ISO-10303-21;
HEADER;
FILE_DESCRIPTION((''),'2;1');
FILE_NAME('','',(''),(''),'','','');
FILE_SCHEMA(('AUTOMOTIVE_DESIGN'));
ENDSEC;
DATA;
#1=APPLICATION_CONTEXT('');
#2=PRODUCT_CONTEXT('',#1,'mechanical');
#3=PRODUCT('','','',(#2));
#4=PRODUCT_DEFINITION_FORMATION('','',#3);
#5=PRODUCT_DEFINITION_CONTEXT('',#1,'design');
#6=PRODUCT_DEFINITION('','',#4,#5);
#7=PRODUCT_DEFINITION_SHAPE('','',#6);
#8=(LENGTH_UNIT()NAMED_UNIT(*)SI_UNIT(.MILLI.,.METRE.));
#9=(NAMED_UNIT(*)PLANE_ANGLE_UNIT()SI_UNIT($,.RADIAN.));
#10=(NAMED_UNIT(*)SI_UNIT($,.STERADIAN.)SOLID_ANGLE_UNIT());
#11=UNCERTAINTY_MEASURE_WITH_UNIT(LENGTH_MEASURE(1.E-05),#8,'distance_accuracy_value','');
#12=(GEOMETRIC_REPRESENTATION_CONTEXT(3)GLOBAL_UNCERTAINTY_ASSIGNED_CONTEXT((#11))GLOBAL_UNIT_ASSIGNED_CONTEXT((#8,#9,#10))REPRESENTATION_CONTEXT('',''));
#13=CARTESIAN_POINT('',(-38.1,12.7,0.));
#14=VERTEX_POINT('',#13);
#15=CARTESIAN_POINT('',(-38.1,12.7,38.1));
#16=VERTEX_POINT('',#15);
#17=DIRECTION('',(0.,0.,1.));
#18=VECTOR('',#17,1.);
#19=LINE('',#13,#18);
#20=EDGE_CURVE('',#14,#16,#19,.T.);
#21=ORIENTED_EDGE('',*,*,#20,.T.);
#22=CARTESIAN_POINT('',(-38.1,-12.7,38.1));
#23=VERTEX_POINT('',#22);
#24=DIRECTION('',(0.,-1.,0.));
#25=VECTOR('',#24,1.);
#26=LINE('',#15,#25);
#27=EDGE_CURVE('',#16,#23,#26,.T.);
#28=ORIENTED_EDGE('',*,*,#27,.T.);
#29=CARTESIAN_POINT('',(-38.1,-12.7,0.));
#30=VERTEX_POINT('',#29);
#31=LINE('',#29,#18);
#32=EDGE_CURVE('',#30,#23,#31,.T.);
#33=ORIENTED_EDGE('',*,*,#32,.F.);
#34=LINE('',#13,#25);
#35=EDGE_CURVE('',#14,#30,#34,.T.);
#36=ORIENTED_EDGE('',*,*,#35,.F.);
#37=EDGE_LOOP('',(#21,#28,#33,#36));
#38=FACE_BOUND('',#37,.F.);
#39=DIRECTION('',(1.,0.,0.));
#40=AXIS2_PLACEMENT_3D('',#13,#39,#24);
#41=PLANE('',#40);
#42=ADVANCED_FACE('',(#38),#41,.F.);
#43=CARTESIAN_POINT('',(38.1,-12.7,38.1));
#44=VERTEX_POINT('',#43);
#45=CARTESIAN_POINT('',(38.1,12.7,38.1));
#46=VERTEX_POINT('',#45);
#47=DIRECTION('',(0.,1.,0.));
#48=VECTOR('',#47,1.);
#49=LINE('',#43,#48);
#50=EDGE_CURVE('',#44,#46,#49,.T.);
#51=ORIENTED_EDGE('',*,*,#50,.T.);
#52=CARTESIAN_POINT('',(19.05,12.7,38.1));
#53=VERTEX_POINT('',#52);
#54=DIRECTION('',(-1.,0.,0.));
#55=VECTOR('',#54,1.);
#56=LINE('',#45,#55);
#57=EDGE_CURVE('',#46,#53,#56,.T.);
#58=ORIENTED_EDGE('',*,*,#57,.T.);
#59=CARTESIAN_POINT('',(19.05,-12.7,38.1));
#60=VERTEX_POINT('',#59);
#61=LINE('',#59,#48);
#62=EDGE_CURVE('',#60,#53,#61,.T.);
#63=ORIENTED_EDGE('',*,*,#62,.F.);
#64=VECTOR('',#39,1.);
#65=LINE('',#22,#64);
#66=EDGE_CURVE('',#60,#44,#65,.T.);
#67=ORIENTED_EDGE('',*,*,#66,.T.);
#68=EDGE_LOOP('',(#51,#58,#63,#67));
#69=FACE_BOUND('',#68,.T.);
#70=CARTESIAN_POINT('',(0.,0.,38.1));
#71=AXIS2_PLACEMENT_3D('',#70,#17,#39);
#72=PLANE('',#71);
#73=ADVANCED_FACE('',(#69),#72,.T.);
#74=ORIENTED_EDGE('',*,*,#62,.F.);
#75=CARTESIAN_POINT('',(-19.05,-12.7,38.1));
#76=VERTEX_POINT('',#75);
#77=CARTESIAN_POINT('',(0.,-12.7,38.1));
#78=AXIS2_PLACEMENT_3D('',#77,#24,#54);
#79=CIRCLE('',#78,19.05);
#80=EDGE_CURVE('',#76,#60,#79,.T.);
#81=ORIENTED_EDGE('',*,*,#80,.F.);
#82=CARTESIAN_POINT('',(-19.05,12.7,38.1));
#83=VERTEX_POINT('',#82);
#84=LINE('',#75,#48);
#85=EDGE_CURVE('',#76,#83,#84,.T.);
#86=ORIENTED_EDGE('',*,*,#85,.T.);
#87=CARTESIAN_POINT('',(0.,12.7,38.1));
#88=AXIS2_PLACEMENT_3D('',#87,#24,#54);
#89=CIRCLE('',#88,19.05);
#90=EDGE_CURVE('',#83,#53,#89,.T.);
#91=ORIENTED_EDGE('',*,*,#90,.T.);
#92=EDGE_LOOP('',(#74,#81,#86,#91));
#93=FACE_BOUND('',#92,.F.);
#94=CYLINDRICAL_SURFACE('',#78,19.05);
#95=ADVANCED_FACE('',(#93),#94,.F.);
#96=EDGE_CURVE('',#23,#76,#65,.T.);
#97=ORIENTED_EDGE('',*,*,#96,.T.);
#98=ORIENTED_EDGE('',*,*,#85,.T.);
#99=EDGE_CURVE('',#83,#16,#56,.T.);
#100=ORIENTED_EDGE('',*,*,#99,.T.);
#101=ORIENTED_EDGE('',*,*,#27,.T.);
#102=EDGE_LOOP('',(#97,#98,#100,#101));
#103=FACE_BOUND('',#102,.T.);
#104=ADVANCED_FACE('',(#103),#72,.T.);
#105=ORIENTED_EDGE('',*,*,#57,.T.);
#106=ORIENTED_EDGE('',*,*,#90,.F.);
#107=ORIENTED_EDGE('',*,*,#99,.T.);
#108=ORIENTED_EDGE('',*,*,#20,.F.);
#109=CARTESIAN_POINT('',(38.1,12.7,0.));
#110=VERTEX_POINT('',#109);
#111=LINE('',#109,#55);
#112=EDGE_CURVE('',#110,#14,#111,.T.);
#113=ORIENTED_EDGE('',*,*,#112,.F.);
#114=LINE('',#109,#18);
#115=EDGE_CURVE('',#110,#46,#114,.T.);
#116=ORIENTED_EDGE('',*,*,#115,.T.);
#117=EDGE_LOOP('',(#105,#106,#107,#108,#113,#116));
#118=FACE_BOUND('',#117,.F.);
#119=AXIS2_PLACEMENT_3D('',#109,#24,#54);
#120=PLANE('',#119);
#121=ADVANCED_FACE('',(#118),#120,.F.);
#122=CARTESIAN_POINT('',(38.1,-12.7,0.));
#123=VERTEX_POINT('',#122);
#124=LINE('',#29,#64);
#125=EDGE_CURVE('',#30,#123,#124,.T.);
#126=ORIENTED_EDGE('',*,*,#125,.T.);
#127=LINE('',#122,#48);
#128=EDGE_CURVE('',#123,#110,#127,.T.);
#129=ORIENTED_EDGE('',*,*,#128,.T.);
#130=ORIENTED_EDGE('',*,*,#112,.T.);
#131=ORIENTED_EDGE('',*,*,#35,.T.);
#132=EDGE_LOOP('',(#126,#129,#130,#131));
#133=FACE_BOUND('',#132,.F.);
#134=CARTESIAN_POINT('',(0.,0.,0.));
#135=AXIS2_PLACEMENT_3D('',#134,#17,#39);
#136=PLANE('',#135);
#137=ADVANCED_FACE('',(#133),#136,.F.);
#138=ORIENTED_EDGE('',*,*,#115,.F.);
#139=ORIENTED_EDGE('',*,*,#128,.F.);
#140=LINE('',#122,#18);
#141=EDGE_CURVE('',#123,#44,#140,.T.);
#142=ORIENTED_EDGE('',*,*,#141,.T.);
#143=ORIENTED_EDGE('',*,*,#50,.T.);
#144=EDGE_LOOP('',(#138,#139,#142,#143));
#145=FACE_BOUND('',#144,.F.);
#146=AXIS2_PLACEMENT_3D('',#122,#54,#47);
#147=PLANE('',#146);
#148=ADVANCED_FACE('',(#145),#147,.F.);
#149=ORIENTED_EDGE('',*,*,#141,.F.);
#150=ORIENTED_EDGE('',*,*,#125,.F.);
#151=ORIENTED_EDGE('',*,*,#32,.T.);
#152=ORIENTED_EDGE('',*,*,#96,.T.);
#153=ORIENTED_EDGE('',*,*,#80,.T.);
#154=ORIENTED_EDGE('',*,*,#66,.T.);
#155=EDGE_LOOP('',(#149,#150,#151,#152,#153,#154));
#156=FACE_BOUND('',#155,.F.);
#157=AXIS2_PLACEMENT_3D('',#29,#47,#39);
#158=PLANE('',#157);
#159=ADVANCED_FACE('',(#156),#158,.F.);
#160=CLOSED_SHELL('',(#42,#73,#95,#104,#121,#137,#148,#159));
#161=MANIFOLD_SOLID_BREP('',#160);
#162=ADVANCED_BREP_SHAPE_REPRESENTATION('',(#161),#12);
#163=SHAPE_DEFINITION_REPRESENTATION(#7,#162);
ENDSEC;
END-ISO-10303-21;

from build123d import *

# Parameters (mm, degrees)
F1_DEPTH = 38.1
F3_DEPTH = 25.4


with BuildPart() as f1:
    # F0 (on Top) → F1 (new body)
    with BuildSketch(Plane.XY):
        Polygon((-38.1, 12.7), (-38.1, 0), (-38.1, -12.7), (0, -12.7), (38.1, -12.7), (38.1, 0), (38.1, 12.7), (0, 12.7), align=None)
    extrude(amount=F1_DEPTH)

    # F2 (on face) → F3 (cut)
    with BuildSketch(Plane.XZ.offset(12.7)):
        with BuildLine():
            Line((19.05, 38.1), (-19.05, 38.1))
            ThreePointArc((-19.05, 38.1), (0, 19.05), (19.05, 38.1))
        make_face()
    extrude(amount=-F3_DEPTH, mode=Mode.SUBTRACT)


solid = f1.part
